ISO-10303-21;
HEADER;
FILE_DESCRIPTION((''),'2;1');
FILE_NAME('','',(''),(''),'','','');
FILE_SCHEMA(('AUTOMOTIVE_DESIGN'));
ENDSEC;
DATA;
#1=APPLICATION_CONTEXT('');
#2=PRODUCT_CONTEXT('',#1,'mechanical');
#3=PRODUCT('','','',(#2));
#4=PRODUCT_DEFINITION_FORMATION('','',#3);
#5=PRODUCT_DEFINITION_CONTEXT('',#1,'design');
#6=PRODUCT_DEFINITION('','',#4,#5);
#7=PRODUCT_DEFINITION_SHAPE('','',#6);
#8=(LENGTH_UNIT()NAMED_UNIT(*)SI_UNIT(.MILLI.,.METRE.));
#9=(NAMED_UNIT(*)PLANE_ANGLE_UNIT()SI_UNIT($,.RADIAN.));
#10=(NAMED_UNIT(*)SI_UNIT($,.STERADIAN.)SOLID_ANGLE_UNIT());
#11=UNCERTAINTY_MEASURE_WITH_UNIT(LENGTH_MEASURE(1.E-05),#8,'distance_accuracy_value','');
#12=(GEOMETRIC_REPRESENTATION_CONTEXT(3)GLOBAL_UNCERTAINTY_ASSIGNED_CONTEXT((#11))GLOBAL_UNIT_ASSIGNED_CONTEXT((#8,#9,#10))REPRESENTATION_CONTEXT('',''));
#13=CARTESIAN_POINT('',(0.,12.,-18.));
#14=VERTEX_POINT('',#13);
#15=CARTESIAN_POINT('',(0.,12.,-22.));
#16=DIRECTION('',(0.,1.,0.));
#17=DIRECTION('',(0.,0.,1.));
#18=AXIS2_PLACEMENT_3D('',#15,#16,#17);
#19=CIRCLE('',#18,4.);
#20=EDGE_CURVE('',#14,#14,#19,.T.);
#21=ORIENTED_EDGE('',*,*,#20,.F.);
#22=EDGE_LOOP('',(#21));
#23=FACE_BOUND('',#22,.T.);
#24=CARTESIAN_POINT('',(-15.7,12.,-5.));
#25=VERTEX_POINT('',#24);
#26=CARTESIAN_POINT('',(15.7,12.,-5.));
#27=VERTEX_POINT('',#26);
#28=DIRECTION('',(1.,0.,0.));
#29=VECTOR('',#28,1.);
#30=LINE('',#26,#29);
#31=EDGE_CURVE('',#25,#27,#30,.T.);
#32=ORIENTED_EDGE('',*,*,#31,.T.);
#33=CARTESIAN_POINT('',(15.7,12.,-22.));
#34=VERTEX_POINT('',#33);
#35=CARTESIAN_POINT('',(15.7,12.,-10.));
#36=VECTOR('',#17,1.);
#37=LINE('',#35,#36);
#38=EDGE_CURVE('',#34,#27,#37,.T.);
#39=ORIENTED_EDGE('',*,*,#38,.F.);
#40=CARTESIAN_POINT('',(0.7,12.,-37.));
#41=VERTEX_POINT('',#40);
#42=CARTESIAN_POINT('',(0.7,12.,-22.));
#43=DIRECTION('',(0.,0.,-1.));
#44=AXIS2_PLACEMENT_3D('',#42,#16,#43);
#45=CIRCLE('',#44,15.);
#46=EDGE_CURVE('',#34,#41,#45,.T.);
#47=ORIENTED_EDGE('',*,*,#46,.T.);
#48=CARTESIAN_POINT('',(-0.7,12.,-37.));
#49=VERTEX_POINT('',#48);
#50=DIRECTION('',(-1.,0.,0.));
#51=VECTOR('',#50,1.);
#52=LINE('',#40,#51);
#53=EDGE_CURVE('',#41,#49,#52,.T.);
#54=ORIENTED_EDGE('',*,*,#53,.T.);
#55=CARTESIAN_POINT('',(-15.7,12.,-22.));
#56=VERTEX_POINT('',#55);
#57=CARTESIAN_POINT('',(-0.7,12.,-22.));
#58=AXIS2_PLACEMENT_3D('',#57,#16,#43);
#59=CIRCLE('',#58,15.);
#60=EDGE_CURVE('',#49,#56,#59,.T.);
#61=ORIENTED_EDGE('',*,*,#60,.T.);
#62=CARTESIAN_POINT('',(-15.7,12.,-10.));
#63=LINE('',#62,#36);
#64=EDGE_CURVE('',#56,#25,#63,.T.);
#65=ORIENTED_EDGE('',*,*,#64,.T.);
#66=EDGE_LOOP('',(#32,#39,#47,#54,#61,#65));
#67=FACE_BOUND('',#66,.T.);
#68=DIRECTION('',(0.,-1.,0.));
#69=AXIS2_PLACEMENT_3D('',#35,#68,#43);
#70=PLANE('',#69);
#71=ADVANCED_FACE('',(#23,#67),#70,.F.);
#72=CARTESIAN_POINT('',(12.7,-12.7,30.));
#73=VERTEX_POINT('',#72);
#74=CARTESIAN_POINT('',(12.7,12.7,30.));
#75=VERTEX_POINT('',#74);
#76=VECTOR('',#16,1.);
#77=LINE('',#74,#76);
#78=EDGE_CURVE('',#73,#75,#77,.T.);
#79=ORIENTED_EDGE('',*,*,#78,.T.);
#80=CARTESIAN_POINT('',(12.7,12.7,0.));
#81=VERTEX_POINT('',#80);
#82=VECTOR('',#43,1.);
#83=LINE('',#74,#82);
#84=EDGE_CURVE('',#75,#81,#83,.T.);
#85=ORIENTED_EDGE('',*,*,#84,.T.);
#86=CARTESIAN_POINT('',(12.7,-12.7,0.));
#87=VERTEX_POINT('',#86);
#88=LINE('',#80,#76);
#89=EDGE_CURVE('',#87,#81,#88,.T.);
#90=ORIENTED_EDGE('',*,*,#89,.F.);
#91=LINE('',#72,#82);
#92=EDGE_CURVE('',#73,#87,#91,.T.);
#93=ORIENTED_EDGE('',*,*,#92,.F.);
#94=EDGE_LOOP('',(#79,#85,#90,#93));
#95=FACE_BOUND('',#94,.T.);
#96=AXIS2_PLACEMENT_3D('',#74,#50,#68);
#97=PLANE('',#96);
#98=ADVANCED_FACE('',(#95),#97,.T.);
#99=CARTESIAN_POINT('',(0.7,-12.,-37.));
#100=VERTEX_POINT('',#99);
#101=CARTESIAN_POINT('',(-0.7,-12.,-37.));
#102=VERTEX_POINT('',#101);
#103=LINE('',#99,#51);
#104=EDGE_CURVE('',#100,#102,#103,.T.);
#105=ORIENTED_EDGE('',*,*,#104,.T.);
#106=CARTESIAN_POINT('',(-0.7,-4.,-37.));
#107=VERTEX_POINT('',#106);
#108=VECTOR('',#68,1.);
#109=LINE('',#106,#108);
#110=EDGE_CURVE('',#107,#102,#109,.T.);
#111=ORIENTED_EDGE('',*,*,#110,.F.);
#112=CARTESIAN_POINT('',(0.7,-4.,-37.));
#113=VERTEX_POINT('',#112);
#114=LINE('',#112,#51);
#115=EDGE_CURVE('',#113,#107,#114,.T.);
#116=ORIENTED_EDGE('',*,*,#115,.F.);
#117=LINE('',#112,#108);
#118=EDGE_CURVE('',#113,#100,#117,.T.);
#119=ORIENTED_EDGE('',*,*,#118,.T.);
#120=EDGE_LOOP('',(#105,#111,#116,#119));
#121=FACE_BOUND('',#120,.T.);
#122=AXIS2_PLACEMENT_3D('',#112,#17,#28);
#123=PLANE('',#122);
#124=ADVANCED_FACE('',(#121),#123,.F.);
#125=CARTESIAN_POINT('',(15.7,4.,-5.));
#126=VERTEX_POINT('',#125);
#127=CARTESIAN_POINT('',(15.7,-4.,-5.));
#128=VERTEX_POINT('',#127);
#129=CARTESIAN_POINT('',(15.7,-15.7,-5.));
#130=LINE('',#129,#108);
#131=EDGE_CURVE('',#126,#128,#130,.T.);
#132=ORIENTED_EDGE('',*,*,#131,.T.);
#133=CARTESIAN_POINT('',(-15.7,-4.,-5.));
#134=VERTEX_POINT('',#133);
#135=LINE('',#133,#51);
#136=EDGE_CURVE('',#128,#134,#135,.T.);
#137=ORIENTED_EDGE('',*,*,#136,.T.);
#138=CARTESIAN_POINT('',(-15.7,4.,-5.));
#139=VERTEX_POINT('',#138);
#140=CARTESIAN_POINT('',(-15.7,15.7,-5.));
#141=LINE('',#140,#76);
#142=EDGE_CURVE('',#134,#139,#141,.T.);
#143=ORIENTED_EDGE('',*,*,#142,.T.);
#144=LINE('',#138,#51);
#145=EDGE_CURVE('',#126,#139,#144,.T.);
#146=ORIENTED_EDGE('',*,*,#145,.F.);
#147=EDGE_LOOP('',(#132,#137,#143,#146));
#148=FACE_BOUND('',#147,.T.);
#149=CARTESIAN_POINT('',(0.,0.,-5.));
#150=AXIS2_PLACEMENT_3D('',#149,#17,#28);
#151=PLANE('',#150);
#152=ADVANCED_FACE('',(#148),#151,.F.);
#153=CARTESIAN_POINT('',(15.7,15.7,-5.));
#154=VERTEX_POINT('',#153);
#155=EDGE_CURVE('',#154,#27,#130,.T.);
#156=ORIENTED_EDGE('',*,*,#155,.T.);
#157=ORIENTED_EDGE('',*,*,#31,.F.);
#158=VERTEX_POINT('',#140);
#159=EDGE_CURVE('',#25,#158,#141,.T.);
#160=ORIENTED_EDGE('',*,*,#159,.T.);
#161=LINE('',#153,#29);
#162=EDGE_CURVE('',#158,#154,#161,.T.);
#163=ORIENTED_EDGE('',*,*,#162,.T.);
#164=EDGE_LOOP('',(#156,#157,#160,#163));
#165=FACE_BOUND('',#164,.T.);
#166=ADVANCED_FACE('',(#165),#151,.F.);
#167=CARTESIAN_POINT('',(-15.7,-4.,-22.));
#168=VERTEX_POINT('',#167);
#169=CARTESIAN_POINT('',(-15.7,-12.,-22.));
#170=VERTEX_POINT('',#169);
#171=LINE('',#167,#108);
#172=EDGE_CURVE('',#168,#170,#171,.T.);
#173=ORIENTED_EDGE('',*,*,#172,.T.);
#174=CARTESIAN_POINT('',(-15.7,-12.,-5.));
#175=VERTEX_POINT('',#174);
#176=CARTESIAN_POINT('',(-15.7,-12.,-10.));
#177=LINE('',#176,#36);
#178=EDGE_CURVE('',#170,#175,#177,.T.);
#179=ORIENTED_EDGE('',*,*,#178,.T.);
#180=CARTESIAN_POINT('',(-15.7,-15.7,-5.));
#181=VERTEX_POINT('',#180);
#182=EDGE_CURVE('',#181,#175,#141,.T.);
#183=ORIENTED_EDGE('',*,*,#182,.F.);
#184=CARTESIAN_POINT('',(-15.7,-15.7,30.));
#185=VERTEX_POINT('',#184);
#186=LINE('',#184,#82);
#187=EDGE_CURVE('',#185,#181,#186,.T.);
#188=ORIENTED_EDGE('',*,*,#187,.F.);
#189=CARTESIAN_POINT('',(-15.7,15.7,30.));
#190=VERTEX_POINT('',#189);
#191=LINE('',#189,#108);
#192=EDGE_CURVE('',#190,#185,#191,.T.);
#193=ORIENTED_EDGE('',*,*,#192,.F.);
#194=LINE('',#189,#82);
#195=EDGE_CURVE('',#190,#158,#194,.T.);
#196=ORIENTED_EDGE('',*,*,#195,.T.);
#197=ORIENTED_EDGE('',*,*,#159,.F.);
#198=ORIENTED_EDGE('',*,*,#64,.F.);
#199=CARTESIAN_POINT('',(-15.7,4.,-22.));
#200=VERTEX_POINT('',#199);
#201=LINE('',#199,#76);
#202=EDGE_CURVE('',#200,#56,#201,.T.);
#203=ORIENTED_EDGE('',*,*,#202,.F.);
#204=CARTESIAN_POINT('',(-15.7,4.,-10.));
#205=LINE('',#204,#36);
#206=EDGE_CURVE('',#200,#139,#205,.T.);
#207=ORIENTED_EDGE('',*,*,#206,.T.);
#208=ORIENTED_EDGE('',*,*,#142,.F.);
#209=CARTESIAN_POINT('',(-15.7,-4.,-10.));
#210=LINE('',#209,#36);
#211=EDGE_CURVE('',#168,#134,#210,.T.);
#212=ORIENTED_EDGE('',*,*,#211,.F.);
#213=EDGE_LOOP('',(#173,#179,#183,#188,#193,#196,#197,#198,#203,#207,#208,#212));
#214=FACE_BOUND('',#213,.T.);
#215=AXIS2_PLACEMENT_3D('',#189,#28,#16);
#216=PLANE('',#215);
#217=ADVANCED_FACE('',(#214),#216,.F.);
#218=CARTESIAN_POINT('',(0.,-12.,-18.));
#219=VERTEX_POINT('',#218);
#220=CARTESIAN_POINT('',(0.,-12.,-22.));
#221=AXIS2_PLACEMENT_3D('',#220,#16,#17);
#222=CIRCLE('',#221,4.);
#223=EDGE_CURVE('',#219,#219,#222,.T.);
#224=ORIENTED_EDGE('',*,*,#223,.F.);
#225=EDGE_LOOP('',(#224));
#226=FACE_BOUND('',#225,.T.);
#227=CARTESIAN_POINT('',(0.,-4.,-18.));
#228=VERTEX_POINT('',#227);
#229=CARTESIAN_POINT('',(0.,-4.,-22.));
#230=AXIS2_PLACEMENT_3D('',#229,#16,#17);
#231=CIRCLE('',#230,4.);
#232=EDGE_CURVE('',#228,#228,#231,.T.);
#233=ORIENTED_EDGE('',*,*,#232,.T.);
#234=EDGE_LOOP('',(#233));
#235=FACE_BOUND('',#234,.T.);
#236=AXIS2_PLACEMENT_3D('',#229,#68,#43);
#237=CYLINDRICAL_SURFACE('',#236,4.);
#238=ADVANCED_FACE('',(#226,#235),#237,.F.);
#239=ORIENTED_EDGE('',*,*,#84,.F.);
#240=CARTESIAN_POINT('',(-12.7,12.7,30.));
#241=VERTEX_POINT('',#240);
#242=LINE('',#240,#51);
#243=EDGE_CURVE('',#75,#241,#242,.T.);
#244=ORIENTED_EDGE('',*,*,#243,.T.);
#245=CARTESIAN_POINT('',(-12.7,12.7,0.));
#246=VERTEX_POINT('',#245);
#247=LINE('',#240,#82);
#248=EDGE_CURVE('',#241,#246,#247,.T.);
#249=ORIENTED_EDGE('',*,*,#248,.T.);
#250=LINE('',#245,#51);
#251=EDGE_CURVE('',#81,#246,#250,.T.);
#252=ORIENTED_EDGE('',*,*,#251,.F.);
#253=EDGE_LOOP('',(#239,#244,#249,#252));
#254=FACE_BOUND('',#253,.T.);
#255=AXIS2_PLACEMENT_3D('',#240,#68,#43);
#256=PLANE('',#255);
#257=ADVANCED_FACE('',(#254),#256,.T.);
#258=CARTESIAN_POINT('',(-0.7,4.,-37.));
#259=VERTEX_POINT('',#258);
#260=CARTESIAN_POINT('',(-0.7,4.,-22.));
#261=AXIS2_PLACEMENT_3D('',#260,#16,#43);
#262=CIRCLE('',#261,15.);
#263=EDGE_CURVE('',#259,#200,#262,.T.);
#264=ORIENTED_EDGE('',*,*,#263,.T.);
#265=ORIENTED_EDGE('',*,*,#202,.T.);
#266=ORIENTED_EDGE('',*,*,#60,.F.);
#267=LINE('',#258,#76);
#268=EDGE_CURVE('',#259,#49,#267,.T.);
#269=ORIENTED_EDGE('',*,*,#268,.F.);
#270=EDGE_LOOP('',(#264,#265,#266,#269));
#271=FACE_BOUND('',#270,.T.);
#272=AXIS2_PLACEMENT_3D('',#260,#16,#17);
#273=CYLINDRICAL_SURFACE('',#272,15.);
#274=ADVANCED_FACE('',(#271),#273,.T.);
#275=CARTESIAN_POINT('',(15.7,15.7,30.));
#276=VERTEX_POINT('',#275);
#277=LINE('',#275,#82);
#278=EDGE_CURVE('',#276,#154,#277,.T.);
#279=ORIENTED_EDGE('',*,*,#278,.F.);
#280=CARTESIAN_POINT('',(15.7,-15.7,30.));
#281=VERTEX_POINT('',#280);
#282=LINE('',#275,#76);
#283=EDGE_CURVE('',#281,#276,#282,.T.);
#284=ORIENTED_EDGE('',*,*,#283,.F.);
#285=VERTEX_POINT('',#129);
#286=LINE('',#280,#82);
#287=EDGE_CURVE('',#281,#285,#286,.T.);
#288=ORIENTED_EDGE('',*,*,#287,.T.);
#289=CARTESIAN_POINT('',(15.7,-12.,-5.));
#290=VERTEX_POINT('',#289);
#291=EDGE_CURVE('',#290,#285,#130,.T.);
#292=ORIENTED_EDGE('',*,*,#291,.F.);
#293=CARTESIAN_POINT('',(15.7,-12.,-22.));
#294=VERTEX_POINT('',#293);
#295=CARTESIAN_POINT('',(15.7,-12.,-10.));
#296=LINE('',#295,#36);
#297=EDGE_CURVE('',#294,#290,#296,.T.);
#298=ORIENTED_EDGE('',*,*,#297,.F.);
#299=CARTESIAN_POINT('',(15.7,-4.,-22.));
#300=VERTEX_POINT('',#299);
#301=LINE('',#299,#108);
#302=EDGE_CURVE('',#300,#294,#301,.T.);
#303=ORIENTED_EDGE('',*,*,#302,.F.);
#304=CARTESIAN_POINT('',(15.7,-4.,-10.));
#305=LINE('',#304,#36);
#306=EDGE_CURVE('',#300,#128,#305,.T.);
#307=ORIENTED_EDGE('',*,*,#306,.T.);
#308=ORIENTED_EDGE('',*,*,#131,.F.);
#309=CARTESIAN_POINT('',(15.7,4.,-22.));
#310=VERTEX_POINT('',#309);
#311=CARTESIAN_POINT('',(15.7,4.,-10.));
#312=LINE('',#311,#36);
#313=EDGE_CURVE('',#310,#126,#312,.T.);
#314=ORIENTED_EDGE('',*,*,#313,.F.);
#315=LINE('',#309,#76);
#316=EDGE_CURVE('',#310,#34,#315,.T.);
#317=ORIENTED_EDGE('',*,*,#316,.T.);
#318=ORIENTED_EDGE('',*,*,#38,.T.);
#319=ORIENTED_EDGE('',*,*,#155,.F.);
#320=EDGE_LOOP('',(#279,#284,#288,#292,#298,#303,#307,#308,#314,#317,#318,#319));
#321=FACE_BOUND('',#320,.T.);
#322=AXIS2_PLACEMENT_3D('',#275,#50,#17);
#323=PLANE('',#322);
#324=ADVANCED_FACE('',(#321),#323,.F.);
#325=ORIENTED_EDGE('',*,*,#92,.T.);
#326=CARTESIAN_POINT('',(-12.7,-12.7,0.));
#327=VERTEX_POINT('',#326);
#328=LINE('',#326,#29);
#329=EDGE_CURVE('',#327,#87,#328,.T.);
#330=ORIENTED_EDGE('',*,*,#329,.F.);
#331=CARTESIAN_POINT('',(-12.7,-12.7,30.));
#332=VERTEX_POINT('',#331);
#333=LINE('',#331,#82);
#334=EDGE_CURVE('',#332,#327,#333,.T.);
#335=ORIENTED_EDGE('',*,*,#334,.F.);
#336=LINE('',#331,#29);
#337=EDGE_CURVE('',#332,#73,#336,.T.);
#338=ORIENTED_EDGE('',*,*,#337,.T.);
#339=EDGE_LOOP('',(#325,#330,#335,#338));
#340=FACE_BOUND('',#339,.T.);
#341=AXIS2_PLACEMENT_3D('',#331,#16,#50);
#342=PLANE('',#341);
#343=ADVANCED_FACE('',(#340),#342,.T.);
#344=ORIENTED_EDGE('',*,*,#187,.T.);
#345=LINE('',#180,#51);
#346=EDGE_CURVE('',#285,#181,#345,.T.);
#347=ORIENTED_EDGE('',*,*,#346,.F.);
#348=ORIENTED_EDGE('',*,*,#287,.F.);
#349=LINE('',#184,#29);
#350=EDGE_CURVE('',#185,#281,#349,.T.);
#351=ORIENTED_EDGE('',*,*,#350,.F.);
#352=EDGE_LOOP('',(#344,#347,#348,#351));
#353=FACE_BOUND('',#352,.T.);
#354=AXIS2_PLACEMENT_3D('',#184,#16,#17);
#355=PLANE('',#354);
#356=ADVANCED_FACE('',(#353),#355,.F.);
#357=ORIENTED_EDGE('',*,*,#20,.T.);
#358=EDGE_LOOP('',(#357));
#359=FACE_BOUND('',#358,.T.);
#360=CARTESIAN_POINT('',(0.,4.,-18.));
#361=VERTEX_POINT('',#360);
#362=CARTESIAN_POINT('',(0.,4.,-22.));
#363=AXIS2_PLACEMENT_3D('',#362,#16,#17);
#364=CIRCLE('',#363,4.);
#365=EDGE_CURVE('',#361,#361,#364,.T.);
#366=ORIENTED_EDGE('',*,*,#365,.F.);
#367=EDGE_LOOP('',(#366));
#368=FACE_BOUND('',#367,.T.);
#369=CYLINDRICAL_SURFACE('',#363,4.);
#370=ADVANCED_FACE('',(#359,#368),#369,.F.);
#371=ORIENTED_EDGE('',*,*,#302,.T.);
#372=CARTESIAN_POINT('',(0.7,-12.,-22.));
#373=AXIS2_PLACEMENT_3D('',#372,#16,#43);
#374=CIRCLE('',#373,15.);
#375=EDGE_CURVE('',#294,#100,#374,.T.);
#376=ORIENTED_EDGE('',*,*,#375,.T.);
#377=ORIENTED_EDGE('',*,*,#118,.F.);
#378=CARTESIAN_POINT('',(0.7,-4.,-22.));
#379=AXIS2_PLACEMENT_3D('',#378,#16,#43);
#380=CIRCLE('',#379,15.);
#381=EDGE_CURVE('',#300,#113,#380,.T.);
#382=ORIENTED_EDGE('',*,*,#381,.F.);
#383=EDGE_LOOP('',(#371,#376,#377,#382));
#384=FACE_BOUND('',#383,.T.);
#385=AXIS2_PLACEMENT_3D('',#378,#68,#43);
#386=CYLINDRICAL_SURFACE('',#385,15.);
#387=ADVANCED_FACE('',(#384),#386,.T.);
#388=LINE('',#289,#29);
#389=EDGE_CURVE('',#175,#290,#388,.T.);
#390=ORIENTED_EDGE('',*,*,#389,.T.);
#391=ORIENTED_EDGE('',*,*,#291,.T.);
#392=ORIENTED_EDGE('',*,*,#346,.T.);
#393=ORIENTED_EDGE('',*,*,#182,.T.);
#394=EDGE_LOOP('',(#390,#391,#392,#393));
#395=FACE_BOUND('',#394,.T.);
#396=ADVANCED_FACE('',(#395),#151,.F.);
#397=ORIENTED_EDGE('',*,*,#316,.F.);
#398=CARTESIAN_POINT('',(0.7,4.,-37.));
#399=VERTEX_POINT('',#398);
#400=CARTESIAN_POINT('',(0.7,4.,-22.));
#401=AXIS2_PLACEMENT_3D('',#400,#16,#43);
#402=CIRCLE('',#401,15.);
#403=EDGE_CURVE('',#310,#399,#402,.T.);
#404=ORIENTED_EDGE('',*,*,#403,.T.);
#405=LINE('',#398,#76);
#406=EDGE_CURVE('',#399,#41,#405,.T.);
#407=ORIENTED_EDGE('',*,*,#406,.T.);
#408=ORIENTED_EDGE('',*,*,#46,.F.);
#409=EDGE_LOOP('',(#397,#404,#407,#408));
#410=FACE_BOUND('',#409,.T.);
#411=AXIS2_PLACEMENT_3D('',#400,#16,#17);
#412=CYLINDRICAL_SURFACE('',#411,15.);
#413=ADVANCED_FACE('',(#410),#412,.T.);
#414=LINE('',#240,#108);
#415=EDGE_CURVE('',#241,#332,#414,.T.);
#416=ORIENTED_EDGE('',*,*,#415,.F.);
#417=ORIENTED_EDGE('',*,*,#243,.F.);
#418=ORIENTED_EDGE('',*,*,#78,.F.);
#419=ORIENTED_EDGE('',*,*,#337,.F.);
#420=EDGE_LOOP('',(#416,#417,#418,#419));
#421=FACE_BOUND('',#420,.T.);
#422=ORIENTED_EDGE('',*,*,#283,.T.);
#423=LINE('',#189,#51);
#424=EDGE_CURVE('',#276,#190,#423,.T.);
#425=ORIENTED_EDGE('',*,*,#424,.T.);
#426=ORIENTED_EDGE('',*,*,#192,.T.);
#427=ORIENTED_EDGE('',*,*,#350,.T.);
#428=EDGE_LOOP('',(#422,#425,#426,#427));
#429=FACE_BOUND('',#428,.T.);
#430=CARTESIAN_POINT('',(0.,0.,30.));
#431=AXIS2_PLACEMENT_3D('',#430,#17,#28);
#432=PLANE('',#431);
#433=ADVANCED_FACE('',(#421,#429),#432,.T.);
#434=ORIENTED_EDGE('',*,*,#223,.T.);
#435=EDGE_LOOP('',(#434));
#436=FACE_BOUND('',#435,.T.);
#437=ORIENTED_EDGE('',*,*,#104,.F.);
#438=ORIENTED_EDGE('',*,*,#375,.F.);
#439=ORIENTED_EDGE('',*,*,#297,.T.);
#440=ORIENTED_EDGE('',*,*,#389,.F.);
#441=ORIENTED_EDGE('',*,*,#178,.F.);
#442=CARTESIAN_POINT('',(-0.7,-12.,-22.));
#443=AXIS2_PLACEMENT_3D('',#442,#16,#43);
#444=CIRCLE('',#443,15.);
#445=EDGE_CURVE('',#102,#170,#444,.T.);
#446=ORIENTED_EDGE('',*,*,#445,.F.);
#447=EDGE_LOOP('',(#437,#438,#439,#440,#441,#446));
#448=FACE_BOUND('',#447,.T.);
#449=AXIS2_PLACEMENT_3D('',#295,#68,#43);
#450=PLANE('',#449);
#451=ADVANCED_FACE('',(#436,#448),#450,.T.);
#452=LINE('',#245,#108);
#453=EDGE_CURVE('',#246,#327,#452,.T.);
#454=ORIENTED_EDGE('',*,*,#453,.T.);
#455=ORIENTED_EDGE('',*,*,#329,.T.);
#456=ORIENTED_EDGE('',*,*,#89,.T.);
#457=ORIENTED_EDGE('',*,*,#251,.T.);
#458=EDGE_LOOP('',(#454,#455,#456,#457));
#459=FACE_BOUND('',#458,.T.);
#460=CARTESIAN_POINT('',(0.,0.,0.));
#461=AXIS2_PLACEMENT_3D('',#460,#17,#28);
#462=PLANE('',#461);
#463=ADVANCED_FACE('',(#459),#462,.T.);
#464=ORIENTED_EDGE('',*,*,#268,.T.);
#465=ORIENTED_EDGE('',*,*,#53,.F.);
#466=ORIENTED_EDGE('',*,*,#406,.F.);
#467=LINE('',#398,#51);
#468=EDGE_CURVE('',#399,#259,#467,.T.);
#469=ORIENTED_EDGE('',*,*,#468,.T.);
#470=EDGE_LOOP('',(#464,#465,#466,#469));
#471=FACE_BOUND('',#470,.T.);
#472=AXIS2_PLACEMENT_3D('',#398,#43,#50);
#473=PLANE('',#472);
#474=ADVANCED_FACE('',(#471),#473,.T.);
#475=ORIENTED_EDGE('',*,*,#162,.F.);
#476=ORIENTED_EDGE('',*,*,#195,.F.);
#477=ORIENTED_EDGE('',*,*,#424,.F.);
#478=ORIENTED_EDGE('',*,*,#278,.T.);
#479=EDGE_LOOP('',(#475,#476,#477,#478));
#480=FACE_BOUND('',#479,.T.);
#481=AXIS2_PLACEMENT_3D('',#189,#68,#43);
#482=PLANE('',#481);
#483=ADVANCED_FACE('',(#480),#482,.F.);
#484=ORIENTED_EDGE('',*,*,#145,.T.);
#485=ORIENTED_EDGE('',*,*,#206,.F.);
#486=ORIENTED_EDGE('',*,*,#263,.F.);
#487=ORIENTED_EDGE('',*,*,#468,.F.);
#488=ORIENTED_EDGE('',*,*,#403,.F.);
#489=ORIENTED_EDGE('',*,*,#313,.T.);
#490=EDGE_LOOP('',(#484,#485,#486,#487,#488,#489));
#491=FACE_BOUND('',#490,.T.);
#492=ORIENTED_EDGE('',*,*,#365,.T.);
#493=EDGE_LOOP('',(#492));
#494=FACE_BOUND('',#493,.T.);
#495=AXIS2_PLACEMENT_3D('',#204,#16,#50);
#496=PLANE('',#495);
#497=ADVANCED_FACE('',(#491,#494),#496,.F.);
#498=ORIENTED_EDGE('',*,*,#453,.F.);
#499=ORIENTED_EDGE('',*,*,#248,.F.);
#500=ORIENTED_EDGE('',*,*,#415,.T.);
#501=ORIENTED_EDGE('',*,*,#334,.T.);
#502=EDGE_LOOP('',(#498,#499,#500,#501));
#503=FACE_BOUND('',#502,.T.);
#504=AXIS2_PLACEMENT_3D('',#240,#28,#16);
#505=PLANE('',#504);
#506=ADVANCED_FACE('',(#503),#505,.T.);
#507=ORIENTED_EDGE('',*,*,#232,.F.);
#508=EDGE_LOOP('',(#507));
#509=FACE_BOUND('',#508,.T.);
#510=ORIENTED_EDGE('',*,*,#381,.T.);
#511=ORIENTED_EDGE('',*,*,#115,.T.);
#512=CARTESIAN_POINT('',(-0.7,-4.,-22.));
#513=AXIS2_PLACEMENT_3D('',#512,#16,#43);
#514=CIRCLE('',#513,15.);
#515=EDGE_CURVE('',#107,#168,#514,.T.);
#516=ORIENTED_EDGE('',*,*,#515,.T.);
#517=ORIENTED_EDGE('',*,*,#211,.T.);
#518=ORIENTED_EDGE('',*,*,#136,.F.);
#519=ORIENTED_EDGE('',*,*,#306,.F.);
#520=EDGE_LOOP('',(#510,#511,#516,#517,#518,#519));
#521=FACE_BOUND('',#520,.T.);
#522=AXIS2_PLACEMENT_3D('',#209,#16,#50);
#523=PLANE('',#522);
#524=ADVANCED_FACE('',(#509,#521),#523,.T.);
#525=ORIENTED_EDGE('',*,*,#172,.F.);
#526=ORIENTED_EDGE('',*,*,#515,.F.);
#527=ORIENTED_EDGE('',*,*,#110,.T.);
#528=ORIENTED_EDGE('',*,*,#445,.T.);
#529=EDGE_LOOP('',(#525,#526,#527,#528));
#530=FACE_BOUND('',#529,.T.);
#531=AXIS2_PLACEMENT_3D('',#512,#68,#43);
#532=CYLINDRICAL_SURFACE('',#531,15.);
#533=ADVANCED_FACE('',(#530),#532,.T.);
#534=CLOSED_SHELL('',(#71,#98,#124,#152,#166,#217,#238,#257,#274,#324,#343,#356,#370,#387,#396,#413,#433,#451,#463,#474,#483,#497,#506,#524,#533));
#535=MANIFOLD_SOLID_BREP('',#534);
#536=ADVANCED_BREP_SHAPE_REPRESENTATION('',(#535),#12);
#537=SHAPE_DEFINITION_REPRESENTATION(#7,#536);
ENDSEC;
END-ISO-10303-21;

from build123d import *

# Parameters (mm, degrees)
SKETCH1_W           = 31.4
SKETCH1_H           = 31.4
SKETCH1_W_2         = 25.4
SKETCH1_H_2         = 25.4
BOSS_EXTRUDE1_DEPTH = 30
SKETCH2_W           = 31.4
SKETCH2_H           = 31.4
BOSS_EXTRUDE2_DEPTH = 5
SKETCH3_W           = 31.4
SKETCH3_H           = 8
BOSS_EXTRUDE3_DEPTH = 5
SKETCH6_R           = 4
BOSS_EXTRUDE6_DEPTH = 8


with BuildPart() as part:
    # Sketch1 → Boss-Extrude1 (new body)
    with BuildSketch(Plane.XY):
        Rectangle(SKETCH1_W, SKETCH1_H)
        Rectangle(SKETCH1_W_2, SKETCH1_H_2, mode=Mode.SUBTRACT)
    extrude(amount=BOSS_EXTRUDE1_DEPTH)

    # Sketch2 → Boss-Extrude2 (add)
    with BuildSketch(Plane(origin=(0, 0, 0), x_dir=(-1, 0, 0), z_dir=(0, 0, -1))):
        Rectangle(SKETCH2_W, SKETCH2_H)
    extrude(amount=BOSS_EXTRUDE2_DEPTH)

    # Sketch3 → Boss-Extrude3 (add)
    with BuildSketch(Plane(origin=(0, 0, -5), x_dir=(-1, 0, 0), z_dir=(0, 0, -1))):
        with Locations((0, 8)):
            Rectangle(SKETCH3_W, SKETCH3_H)
    boss_extrude3 = extrude(amount=BOSS_EXTRUDE3_DEPTH)

    # Sketch6 → Boss-Extrude6 (add)
    with BuildSketch(Plane(origin=(0, 12, 0), x_dir=(1, 0, 0), z_dir=(0, 1, 0))):
        with BuildLine():
            Line((-15.7, 10), (-15.7, 22))
            ThreePointArc((-15.7, 22), (-11.306601718, 32.606601718), (-0.7, 37))
            Line((-0.7, 37), (0.7, 37))
            ThreePointArc((0.7, 37), (11.306601718, 32.606601718), (15.7, 22))
            Line((15.7, 22), (15.7, 10))
            Line((15.7, 10), (-15.7, 10))
        make_face()
        with Locations(Location((0, 22, 0), (0, 0, 270))):
            Circle(SKETCH6_R, mode=Mode.SUBTRACT)
    boss_extrude6 = extrude(amount=-BOSS_EXTRUDE6_DEPTH)

    # Mirror1: Boss-Extrude3, Boss-Extrude6 across plane
    add(boss_extrude3.mirror(Plane.ZX))
    add(boss_extrude6.mirror(Plane.ZX))


solid = part.part
